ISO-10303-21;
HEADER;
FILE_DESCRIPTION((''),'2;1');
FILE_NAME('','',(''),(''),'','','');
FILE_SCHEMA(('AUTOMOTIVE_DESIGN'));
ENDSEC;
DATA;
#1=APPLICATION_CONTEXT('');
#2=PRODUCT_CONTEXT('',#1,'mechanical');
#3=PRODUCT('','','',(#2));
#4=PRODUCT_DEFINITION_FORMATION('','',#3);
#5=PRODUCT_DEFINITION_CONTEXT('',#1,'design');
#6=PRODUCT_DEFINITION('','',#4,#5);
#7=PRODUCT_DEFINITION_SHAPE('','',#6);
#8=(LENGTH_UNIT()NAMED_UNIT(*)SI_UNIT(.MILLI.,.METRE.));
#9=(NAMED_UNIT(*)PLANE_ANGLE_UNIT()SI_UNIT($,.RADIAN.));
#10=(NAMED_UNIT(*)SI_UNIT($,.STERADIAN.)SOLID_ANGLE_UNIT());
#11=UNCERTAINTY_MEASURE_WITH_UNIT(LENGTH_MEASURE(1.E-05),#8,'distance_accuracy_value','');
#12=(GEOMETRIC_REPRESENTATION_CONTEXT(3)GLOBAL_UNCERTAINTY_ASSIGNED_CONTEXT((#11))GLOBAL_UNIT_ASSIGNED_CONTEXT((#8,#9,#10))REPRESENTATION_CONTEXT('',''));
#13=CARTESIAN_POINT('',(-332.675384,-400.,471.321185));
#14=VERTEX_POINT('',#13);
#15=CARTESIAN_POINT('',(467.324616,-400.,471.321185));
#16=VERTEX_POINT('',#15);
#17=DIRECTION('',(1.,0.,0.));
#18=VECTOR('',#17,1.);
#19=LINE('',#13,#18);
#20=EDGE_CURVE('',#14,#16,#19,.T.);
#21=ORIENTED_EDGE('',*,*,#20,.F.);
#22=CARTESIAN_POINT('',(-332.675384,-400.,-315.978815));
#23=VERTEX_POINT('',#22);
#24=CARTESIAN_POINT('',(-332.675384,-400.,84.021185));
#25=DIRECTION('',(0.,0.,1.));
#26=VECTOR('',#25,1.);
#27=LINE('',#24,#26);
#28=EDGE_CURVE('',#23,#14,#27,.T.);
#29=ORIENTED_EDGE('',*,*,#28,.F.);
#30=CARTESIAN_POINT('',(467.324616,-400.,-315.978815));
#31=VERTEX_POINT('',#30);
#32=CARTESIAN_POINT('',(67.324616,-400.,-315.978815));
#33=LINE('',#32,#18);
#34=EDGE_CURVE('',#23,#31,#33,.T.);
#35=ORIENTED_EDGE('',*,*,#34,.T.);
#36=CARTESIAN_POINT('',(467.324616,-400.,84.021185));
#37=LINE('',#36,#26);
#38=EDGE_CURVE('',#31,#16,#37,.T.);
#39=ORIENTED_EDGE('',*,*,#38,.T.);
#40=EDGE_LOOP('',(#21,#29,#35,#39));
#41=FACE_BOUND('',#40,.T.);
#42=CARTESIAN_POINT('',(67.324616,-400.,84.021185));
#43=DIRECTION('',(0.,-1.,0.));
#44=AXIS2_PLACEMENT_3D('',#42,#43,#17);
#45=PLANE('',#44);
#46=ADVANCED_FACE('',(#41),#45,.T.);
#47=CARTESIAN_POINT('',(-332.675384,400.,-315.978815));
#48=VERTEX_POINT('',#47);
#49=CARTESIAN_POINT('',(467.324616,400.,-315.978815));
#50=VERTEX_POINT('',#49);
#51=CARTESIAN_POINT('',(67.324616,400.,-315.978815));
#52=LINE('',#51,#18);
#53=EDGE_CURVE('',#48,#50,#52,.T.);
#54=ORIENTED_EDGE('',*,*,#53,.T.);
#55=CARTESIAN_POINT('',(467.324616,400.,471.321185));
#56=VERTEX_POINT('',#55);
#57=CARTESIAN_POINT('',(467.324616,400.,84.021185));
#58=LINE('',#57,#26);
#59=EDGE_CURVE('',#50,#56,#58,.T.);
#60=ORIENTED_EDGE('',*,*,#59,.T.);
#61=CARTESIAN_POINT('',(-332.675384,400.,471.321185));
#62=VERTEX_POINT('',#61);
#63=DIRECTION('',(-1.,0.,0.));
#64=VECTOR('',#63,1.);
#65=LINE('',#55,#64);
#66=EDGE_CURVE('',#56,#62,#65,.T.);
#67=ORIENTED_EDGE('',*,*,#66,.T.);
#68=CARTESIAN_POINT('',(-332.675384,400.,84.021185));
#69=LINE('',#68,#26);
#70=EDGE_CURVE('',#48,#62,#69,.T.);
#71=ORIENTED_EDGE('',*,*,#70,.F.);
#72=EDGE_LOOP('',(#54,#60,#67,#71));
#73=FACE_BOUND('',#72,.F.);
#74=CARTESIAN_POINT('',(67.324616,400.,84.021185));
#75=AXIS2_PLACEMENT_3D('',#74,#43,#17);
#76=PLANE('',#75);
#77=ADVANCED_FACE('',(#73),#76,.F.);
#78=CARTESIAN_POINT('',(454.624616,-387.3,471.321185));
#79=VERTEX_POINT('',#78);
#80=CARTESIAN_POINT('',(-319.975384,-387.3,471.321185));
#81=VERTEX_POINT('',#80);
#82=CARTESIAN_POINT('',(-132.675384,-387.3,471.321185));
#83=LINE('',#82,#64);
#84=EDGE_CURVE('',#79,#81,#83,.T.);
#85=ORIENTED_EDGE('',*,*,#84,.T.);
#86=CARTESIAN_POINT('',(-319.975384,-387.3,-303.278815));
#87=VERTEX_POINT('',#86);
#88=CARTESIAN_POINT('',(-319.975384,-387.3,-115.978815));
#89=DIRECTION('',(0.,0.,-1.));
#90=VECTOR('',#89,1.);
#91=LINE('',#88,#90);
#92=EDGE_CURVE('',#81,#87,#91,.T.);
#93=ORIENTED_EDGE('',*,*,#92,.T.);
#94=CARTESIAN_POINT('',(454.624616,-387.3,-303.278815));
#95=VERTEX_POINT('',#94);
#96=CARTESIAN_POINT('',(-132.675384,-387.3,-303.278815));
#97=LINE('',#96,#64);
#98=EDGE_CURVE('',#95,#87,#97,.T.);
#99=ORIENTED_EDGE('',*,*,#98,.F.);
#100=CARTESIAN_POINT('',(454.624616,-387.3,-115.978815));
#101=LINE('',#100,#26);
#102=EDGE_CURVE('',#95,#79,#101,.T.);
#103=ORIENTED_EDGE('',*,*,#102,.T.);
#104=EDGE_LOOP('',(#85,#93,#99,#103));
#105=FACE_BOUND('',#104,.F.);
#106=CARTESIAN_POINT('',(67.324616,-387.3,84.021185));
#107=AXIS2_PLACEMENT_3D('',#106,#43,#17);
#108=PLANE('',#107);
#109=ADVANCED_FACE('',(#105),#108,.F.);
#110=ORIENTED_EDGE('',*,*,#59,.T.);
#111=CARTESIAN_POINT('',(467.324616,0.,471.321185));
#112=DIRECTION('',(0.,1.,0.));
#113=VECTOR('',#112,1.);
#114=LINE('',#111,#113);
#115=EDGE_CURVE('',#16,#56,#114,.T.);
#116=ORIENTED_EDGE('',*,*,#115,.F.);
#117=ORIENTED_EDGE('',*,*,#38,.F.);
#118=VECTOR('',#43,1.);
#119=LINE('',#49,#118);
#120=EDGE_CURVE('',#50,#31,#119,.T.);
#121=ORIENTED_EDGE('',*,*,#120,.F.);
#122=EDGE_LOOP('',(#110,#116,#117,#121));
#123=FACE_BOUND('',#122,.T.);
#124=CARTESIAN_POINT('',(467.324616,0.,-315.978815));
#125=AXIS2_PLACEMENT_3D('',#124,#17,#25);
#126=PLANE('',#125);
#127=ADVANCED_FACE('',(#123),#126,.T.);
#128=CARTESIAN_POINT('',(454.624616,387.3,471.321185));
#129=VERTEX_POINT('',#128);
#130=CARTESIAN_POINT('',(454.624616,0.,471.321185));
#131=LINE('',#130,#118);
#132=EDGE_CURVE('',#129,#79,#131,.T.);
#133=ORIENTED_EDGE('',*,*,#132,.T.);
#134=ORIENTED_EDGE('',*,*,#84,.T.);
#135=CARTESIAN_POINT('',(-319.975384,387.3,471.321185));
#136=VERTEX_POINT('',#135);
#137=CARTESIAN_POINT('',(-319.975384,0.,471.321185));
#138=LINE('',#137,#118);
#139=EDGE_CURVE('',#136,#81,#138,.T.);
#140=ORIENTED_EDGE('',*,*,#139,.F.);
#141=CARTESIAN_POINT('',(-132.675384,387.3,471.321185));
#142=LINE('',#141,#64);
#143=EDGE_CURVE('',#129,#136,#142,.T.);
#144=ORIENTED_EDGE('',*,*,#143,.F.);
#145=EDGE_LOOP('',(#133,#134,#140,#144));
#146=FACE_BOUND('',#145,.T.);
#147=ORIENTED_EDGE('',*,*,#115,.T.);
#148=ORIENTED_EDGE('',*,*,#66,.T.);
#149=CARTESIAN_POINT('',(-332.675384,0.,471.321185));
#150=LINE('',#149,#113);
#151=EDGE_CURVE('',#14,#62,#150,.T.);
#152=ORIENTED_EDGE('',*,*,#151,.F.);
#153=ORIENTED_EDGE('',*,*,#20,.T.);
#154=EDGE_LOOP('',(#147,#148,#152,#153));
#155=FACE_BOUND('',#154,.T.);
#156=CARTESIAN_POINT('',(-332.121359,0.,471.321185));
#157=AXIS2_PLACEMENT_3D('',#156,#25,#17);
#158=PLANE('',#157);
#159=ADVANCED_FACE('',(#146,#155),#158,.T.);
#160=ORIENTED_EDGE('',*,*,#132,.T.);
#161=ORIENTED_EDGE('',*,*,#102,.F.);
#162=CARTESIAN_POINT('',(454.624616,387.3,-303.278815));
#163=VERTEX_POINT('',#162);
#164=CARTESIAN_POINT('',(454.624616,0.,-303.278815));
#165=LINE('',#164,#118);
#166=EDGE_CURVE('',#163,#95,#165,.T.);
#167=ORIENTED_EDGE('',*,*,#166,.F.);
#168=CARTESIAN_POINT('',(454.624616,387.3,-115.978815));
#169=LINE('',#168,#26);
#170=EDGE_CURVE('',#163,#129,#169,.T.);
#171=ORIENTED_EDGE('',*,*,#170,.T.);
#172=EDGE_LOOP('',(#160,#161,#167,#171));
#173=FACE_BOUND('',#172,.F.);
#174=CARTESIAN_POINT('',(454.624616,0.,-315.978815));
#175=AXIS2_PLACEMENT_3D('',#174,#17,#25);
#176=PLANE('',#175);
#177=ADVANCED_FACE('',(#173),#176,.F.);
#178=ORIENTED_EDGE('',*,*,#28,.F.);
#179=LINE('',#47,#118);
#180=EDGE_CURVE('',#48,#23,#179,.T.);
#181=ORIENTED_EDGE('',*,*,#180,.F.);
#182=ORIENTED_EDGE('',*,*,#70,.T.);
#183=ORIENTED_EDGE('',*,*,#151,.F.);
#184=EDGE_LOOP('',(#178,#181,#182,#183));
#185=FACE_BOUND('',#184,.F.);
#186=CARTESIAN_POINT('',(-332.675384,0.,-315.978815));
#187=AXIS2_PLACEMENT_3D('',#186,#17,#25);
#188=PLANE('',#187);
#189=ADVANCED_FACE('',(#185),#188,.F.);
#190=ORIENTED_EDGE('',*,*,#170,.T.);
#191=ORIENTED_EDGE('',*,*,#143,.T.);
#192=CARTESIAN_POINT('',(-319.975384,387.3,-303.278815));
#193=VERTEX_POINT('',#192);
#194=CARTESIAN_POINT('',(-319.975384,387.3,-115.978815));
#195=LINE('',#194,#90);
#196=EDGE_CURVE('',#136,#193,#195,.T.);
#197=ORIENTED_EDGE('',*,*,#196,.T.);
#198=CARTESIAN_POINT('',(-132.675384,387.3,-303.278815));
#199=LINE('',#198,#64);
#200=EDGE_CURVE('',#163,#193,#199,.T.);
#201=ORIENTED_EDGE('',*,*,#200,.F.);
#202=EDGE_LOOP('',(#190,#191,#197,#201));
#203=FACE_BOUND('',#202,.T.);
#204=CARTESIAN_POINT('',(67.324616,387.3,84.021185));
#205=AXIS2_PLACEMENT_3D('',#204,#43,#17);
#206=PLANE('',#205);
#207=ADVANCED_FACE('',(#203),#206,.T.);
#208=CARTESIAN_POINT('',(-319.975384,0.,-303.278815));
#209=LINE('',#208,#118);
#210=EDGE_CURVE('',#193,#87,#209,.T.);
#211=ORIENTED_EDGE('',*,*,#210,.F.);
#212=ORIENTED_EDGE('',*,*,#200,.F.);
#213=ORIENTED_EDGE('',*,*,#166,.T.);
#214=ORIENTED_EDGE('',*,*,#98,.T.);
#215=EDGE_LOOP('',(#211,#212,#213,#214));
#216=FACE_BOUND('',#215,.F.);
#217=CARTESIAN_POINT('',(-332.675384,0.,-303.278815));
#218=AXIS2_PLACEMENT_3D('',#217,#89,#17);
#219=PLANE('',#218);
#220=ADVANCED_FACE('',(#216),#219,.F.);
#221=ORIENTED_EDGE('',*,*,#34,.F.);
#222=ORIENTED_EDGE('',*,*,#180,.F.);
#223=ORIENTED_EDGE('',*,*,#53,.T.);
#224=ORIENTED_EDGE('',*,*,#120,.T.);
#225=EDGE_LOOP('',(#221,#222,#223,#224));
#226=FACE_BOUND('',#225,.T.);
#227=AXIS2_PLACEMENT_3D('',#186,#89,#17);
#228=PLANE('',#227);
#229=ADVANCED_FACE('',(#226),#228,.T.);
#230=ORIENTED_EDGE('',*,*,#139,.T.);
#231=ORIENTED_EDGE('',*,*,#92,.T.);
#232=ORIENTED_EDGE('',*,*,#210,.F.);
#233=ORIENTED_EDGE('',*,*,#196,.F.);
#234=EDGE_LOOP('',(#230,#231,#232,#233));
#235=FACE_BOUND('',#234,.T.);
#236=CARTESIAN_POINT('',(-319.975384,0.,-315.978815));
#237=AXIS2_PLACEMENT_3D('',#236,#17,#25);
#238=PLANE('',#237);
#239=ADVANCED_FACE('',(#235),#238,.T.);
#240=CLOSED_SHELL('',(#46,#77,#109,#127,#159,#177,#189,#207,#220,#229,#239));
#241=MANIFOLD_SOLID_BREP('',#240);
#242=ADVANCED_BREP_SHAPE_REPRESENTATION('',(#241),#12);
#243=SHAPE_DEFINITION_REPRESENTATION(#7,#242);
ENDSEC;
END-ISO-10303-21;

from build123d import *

# Parameters (mm, degrees)
F0_W     = 800
F0_H     = 800
F1_DEPTH = 400
F2_T     = -12.7
F3_W     = 1.108050679
F3_H     = 800
F3_W_2   = 798.891949321
F4_DEPTH = 12.7


with BuildPart() as f1:
    # F0 (on Front) → F1 (new body, symmetric)
    with BuildSketch(Plane.XZ):
        with Locations((67.3246156823, 84.0211848542)):
            Rectangle(F0_W, F0_H)
    extrude(amount=F1_DEPTH, both=True)

    # F2 (hollow: no face is removed)
    offset(amount=F2_T, mode=Mode.SUBTRACT)

    # F3 (on face) → F4 (cut)
    with BuildSketch(Plane.XY.offset(484.0211848542)):
        with Locations((-332.1213589782, 0)):
            Rectangle(F3_W, F3_H)
        with Locations((67.8786410218, 0)):
            Rectangle(F3_W_2, F3_H)
    extrude(amount=-F4_DEPTH, mode=Mode.SUBTRACT)


solid = f1.part
